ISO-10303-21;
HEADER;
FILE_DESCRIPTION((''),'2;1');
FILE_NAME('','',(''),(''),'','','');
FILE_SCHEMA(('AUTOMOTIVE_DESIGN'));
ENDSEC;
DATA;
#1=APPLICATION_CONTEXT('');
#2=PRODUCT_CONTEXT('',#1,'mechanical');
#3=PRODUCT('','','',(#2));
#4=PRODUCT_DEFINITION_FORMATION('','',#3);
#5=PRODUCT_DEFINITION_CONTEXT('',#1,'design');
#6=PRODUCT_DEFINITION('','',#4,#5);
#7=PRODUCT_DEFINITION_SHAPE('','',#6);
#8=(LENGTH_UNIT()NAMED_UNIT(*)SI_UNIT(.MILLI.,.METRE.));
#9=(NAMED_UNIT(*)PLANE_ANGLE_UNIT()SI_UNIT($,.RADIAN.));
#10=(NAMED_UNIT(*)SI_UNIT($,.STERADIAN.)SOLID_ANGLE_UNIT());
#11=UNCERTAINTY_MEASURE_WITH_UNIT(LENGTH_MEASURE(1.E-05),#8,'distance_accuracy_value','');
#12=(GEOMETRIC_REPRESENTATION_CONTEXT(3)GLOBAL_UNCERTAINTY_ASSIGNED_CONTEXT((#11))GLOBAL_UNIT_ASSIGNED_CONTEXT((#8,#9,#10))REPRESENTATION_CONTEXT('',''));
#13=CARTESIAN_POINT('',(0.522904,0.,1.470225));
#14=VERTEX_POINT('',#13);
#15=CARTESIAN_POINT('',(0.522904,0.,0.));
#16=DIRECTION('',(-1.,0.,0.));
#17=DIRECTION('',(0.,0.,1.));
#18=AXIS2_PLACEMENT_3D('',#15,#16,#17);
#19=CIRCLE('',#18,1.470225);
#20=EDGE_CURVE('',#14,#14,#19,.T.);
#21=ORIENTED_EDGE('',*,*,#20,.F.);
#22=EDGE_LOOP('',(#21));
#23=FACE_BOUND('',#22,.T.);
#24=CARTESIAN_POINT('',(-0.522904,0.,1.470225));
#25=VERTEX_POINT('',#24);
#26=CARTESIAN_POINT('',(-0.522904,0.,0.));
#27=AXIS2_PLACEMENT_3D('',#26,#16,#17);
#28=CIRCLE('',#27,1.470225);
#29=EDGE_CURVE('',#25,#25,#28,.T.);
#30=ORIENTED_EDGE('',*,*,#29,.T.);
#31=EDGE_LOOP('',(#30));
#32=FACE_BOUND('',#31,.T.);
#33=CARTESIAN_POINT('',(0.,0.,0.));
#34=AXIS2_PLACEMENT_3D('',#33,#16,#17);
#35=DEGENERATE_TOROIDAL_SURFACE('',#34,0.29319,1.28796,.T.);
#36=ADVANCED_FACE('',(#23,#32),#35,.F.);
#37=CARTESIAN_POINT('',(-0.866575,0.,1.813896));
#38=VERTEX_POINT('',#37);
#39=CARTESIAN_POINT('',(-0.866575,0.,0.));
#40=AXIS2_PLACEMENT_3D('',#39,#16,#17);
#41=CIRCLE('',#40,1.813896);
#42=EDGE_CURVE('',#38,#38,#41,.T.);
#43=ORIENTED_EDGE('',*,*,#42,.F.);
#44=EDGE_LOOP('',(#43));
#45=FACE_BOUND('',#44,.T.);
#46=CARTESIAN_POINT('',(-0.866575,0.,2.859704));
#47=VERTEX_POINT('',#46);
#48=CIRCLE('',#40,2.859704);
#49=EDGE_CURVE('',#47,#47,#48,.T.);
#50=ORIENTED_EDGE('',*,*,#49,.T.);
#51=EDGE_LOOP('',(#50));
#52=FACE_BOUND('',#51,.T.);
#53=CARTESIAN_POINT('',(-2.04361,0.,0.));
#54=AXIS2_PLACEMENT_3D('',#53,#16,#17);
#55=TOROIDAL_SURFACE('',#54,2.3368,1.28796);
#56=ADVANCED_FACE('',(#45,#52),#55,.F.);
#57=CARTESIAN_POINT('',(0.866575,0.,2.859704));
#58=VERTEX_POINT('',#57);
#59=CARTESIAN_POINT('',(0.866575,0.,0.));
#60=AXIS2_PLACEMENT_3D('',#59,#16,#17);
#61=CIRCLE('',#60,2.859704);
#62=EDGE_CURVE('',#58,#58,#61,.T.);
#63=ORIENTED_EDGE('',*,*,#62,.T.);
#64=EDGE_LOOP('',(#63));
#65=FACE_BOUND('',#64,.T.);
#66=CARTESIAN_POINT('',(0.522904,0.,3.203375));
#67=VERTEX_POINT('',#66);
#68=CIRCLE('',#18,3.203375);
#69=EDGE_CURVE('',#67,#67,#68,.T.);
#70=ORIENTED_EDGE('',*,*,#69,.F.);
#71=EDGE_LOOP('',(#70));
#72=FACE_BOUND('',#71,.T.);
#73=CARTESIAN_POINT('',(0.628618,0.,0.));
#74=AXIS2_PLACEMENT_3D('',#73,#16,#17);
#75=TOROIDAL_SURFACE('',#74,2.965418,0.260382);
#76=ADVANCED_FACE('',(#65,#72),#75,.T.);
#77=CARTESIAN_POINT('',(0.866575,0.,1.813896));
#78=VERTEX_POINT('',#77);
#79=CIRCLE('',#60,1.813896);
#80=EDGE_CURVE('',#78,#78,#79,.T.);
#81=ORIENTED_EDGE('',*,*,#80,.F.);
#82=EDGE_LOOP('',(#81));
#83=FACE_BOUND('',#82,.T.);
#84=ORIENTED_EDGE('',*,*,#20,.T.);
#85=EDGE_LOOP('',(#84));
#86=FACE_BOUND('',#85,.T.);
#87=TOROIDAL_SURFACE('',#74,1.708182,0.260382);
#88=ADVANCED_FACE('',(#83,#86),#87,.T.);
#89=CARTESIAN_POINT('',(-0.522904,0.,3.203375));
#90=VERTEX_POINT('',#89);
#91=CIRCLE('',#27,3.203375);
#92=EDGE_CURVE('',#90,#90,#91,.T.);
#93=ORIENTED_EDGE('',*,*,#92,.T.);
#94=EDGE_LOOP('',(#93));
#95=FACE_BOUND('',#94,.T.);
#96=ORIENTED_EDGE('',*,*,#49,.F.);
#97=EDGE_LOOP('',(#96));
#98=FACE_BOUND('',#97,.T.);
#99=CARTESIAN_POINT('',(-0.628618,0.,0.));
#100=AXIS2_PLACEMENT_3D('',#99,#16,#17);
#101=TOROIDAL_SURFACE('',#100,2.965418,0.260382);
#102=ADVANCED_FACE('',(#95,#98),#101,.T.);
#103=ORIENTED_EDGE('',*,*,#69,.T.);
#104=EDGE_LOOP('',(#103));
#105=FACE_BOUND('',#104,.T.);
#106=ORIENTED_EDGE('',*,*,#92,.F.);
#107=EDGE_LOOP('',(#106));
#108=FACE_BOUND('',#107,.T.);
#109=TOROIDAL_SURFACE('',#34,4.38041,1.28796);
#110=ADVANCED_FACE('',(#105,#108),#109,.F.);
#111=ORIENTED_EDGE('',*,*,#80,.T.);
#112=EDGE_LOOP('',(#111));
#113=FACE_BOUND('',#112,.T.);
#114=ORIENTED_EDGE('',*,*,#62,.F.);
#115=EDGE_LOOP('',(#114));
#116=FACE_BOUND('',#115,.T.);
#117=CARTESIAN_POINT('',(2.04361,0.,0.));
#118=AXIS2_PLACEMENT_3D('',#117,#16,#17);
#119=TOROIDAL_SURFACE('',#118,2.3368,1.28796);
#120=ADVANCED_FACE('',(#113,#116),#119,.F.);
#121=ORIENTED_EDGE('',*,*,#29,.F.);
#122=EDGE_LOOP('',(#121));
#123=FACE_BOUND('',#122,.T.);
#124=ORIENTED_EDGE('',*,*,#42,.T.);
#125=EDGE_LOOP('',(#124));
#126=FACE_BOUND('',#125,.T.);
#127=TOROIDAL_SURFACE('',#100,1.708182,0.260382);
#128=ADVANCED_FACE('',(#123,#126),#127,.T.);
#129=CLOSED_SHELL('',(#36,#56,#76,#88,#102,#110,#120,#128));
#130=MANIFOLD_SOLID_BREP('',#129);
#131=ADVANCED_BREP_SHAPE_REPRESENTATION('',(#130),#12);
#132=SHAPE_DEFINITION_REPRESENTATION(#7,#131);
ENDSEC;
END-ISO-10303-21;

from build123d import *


with BuildPart() as part:
    # Sketch1 → Revolve1 (revolve)
    with BuildSketch(Plane.XY, mode=Mode.PRIVATE) as revolve1_sk:
        with BuildLine():
            ThreePointArc((-0.86657475, 2.859704285), (-0.75565, 2.3368), (-0.86657475, 1.813895715))
            ThreePointArc((-0.86657475, 1.813895715), (-0.812735857, 1.524064143), (-0.522904285, 1.47022525))
            ThreePointArc((-0.522904285, 1.47022525), (0, 1.58115), (0.522904285, 1.47022525))
            ThreePointArc((0.522904285, 1.47022525), (0.812735857, 1.524064143), (0.86657475, 1.813895715))
            ThreePointArc((0.86657475, 1.813895715), (0.75565, 2.3368), (0.86657475, 2.859704285))
            ThreePointArc((0.86657475, 2.859704285), (0.812735857, 3.149535857), (0.522904285, 3.20337475))
            ThreePointArc((0.522904285, 3.20337475), (0, 3.09245), (-0.522904285, 3.20337475))
            ThreePointArc((-0.522904285, 3.20337475), (-0.812735857, 3.149535857), (-0.86657475, 2.859704285))
        make_face()
    revolve(revolve1_sk.sketch.rotate(Axis((-0.889, 0, 0), (1, 0, 0)), 90), axis=Axis((-0.889, 0, 0), (1, 0, 0)))


solid = part.part
